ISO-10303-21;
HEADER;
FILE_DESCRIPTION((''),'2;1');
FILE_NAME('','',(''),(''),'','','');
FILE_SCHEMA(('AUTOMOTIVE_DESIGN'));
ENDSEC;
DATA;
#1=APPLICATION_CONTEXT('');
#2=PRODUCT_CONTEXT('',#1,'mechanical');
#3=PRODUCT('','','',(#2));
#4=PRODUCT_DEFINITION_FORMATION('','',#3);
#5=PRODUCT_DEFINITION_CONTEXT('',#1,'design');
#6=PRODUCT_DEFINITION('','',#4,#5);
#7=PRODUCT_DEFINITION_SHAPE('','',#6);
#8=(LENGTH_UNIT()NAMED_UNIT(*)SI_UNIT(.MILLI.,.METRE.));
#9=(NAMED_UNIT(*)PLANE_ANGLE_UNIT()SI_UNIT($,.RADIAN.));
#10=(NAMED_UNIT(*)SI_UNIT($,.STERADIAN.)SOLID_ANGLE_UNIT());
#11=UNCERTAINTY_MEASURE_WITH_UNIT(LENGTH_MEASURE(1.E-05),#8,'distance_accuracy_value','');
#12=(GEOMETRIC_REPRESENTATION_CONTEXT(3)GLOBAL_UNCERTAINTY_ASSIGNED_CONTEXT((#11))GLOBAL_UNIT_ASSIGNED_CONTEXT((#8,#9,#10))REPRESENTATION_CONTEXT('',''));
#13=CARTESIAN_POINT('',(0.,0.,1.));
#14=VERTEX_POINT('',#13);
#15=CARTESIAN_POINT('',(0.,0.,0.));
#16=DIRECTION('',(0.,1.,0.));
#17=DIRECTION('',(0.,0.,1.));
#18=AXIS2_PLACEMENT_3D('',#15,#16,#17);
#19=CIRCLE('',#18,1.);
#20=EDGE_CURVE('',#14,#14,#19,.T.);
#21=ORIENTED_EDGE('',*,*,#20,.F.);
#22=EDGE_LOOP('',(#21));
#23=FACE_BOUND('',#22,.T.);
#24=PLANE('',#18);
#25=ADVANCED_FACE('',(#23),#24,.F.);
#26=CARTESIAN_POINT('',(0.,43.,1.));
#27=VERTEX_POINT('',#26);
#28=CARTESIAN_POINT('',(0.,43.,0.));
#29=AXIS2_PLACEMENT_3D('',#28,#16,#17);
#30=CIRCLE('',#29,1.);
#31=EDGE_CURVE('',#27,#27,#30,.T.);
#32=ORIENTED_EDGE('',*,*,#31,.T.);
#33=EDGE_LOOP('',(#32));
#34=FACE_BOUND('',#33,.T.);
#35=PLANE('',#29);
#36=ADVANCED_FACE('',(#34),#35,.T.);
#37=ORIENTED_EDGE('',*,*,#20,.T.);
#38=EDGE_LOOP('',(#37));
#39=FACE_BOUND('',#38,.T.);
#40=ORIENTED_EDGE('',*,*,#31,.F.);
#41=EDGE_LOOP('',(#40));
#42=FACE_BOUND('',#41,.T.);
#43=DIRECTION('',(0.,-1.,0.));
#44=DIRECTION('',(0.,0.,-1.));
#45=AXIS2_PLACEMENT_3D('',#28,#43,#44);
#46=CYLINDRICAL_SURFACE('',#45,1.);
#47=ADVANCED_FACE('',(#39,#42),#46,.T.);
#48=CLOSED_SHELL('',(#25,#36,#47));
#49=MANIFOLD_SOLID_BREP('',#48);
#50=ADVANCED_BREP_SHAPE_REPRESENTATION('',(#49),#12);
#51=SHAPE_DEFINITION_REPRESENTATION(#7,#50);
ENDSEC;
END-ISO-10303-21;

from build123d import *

# Parameters (mm, degrees)
SKETCH_1_R      = 1
EXTRUDE_1_DEPTH = 43


with BuildPart() as part:
    # 草图1 → 凸台-拉伸1 (new body)
    with BuildSketch(Plane(origin=(0, 0, 0), x_dir=(1, 0, 0), z_dir=(0, 1, 0))):
        with Locations(Location((0, 0, 0), (0, 0, 270))):
            Circle(SKETCH_1_R)
    extrude(amount=EXTRUDE_1_DEPTH)


solid = part.part
